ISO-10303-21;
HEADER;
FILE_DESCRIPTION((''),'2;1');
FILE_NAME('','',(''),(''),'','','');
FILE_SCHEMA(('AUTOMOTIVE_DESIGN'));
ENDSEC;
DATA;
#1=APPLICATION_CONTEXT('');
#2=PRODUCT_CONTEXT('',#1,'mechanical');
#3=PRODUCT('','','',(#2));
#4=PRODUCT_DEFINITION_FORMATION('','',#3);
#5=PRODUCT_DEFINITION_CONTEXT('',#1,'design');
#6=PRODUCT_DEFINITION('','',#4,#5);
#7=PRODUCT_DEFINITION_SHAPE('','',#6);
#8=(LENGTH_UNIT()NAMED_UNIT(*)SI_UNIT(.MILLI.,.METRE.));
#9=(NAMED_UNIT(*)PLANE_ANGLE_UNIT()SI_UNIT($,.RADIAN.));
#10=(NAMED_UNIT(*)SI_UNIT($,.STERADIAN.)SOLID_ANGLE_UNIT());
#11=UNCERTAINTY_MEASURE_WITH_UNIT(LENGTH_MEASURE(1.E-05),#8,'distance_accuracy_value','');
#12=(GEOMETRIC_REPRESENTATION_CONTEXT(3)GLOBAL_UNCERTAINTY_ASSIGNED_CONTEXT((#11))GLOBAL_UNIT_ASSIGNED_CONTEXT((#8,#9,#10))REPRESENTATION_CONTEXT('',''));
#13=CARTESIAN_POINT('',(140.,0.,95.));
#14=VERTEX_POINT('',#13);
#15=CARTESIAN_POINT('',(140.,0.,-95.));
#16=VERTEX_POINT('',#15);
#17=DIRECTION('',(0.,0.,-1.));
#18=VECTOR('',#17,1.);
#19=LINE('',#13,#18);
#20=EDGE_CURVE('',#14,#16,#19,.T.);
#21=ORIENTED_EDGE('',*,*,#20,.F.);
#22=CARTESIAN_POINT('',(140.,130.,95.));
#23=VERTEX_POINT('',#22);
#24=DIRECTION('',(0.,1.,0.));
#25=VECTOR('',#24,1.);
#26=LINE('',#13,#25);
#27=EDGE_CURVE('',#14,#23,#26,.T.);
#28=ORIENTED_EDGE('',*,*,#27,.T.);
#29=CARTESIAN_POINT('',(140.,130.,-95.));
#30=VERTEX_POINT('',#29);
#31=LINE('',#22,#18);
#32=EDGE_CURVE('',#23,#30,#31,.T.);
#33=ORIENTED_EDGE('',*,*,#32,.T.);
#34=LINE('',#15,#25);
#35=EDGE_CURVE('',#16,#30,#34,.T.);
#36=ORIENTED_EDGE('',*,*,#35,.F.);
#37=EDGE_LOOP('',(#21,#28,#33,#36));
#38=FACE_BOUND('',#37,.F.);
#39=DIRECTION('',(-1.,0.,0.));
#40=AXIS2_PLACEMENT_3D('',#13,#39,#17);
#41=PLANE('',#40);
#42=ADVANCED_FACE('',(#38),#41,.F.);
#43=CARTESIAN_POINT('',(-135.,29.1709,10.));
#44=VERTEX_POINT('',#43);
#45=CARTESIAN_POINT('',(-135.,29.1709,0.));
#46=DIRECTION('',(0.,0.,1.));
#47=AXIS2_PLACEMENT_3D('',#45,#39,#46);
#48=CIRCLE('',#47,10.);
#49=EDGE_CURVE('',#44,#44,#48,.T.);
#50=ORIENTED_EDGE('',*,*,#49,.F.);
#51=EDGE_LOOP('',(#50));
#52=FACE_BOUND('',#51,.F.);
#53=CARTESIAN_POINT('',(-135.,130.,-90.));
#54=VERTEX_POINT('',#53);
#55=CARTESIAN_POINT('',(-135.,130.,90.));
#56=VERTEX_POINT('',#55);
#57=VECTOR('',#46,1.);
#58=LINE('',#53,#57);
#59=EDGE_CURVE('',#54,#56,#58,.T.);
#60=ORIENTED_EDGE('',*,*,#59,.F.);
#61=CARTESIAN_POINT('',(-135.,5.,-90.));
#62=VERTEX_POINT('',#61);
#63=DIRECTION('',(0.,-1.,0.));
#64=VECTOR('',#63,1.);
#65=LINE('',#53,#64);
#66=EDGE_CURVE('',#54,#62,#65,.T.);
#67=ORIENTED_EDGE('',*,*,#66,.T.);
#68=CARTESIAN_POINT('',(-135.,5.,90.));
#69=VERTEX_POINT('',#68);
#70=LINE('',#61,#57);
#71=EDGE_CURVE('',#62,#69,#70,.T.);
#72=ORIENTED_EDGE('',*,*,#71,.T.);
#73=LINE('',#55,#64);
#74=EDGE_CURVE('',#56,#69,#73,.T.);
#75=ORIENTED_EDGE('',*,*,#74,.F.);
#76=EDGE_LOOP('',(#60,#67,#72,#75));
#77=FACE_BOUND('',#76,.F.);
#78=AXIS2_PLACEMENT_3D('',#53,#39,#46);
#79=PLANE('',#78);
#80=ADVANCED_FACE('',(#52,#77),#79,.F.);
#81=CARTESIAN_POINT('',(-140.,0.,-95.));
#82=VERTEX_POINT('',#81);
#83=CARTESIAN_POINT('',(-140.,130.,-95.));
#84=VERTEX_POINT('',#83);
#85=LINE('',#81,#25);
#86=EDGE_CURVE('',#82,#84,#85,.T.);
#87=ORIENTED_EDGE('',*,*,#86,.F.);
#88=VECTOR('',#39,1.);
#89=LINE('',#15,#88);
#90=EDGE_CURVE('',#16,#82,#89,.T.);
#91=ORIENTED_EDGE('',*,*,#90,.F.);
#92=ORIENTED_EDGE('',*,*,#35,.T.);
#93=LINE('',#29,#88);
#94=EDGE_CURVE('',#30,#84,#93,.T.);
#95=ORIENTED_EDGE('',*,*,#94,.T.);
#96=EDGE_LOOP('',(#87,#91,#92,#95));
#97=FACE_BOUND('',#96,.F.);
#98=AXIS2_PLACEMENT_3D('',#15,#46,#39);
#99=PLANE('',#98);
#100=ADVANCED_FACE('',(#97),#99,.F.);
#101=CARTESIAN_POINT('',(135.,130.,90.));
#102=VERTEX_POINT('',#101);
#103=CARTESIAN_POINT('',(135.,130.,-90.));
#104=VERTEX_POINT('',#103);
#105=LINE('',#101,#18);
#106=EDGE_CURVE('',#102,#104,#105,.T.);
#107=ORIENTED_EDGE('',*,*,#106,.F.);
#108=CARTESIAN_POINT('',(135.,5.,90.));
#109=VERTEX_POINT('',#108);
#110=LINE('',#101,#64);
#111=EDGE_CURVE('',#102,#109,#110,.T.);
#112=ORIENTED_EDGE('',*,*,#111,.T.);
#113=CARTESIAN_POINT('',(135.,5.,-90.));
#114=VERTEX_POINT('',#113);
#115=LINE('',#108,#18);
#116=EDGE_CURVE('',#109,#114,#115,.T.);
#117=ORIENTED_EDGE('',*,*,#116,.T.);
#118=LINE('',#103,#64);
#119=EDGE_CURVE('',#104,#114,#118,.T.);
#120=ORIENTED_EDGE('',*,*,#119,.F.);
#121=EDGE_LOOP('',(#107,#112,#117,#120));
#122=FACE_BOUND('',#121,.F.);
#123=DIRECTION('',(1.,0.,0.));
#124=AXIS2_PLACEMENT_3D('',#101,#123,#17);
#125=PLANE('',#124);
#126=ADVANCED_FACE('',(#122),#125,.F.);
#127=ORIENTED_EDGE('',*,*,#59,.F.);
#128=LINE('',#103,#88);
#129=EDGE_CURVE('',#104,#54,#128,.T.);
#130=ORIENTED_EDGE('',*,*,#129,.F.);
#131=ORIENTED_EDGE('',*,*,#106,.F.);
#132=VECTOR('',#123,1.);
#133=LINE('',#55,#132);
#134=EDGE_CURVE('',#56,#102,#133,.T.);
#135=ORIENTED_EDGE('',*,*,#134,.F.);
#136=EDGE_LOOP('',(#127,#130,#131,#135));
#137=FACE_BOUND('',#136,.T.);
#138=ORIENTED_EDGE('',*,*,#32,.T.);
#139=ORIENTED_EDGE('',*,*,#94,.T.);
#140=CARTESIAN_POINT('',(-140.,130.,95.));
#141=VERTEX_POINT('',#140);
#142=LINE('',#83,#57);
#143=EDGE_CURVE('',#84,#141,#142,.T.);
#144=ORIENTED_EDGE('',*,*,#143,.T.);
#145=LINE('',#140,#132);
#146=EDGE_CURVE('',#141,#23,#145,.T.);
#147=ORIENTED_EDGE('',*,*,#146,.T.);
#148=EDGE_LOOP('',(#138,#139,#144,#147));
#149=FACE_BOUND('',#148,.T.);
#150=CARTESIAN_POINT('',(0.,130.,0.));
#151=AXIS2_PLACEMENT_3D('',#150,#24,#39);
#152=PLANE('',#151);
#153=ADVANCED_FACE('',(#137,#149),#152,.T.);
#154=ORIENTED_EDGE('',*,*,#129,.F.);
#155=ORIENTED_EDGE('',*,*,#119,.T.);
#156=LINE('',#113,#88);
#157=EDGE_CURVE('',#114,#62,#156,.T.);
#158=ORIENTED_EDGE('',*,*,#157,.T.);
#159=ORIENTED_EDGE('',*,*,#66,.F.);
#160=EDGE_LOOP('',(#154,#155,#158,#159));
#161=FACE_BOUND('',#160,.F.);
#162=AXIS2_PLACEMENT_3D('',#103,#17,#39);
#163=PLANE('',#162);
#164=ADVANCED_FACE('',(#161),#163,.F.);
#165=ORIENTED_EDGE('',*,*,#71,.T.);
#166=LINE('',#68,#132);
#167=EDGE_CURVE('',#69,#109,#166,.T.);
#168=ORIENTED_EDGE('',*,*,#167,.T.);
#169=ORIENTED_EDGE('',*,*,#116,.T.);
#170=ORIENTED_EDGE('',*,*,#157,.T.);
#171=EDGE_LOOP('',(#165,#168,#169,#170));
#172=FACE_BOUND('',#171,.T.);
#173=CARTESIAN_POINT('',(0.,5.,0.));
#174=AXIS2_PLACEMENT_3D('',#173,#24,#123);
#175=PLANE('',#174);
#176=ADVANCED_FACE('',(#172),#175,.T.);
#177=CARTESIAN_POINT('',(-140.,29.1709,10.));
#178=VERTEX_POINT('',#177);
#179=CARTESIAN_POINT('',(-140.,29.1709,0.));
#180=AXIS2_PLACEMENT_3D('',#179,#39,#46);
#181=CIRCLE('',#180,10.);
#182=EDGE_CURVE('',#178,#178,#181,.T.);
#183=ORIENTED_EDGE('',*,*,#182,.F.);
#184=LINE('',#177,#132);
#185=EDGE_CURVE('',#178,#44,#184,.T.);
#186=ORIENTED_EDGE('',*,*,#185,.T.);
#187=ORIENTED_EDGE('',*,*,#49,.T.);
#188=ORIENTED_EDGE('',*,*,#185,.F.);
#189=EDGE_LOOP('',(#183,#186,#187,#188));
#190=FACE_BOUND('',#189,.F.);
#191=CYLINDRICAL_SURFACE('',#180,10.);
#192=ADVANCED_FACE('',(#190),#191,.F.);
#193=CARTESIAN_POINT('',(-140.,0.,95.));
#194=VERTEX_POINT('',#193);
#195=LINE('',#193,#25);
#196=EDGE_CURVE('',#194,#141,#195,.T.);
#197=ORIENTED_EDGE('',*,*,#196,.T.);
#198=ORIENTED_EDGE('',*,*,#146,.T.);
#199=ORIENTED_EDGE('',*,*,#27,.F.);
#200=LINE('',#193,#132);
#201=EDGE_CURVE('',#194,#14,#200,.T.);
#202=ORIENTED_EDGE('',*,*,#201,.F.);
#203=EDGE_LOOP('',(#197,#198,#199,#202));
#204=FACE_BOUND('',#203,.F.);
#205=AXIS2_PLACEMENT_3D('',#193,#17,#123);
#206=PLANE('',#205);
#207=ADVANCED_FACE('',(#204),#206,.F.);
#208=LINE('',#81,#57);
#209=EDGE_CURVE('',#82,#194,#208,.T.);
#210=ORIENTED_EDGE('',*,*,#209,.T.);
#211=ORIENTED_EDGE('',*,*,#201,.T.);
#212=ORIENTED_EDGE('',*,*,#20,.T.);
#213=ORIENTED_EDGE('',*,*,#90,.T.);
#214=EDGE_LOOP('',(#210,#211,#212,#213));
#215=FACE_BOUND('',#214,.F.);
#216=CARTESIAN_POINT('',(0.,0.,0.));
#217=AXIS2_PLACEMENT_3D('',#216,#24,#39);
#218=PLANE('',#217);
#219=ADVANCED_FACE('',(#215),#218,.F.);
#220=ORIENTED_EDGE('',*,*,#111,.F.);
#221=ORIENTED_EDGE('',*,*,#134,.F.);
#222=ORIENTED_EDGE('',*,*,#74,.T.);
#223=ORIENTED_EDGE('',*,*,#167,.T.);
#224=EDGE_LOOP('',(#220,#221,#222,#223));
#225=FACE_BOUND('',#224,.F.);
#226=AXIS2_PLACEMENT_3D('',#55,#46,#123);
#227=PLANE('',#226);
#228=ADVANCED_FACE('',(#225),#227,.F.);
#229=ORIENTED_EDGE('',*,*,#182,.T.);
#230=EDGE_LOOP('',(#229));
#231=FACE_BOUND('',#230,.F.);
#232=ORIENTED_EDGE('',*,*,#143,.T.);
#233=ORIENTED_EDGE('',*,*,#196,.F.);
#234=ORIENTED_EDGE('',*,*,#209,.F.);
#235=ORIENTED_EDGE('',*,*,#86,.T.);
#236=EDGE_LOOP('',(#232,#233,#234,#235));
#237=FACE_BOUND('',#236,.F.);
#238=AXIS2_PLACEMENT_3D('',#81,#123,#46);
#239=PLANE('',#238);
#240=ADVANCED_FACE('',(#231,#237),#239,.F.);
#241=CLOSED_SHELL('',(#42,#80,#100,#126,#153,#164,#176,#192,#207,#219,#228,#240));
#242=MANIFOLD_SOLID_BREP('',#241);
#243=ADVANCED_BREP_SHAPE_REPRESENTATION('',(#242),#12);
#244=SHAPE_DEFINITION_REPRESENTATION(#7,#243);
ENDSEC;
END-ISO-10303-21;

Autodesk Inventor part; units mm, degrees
ref_plane "YZ Plane" through (0, 0, 0) normal (1, 0, 0) x (0, 1, 0)
ref_plane "XZ Plane" through (0, 0, 0) normal (0, 1, 0) x (-1, 0, 0)
ref_plane "XY Plane" through (0, 0, 0) normal (0, 0, 1) x (1, 0, 0)
sketch "Boceto1" plane through (0, 0, 0) normal (0, 1, 0) x (-1, 0, 0)
  line L0 (140, 95) -> (-140, 95)
  line L1 (-140, 95) -> (-140, -95)
  line L2 (-140, -95) -> (140, -95)
  line L3 (140, -95) -> (140, 95)
  point P0 (0, 0)
  dimension "d0" = 280
  dimension "d1" = 190
  dimension "d2" = 95
  dimension "d3" = 140
extrude "Extrusión1" add sketch "Boceto1" along normal blind 130
ref_plane "Plano de trabajo1" through (0, 0, 95) normal (1, 0, 0) x (0, 0, -1)
ref_plane "Plano de trabajo2" through (140, 0, 0) normal (0, 0, -1) x (-1, 0, 0)
sketch "Boceto3" plane through (0, 130, 0) normal (0, 1, 0) x (1, 0, 0)
  line L0 (140, 95) -> (-140, 95) projected
  line L1 (-140, 95) -> (-140, -95) projected
  line L2 (-140, -95) -> (140, -95) projected
  line L3 (140, -95) -> (140, 95) projected
  line L4 (-135, -90) -> (135, -90)
  line L5 (135, -90) -> (135, 90)
  line L6 (135, 90) -> (-135, 90)
  line L7 (-135, 90) -> (-135, -90)
  point P0 (0, 0)
  dimension "d7" = 270
  dimension "d8" = 135
  dimension "d9" = 180
  dimension "d10" = 90
extrude "Extrusión2" cut sketch "Boceto3" against normal blind 125 contours L7 L6 L5 L4
sketch "Boceto4" plane through (-140, 0, -95) normal (-1, 0, 0) x (0, 0, 1)
  circle A0 centre (95, 29.1709) radius 10
  point P0 (95, 0)
  dimension "d13" = 20
extrude "Extrusión3" cut sketch "Boceto4" against normal blind 5
sketch "Boceto6" plane through (0, 130, 0) normal (0, 1, 0) x (1, 0, 0)
  line L0 (-140, -95) -> (140, -95) projected
  line L1 (-140, 95) -> (-140, -95) projected
  line L2 (140, 95) -> (-140, 95) projected
  line L3 (140, -95) -> (140, 95) projected
  line L4 (-140, -95) -> (140, -95)
  line L5 (140, -95) -> (140, 95)
  line L6 (140, 95) -> (-140, 95)
  line L7 (-140, 95) -> (-140, -95)
  point P0 (0, 0)
extrude "Extrusión4" [suppressed]
properties part number "cajaEléctrica"
